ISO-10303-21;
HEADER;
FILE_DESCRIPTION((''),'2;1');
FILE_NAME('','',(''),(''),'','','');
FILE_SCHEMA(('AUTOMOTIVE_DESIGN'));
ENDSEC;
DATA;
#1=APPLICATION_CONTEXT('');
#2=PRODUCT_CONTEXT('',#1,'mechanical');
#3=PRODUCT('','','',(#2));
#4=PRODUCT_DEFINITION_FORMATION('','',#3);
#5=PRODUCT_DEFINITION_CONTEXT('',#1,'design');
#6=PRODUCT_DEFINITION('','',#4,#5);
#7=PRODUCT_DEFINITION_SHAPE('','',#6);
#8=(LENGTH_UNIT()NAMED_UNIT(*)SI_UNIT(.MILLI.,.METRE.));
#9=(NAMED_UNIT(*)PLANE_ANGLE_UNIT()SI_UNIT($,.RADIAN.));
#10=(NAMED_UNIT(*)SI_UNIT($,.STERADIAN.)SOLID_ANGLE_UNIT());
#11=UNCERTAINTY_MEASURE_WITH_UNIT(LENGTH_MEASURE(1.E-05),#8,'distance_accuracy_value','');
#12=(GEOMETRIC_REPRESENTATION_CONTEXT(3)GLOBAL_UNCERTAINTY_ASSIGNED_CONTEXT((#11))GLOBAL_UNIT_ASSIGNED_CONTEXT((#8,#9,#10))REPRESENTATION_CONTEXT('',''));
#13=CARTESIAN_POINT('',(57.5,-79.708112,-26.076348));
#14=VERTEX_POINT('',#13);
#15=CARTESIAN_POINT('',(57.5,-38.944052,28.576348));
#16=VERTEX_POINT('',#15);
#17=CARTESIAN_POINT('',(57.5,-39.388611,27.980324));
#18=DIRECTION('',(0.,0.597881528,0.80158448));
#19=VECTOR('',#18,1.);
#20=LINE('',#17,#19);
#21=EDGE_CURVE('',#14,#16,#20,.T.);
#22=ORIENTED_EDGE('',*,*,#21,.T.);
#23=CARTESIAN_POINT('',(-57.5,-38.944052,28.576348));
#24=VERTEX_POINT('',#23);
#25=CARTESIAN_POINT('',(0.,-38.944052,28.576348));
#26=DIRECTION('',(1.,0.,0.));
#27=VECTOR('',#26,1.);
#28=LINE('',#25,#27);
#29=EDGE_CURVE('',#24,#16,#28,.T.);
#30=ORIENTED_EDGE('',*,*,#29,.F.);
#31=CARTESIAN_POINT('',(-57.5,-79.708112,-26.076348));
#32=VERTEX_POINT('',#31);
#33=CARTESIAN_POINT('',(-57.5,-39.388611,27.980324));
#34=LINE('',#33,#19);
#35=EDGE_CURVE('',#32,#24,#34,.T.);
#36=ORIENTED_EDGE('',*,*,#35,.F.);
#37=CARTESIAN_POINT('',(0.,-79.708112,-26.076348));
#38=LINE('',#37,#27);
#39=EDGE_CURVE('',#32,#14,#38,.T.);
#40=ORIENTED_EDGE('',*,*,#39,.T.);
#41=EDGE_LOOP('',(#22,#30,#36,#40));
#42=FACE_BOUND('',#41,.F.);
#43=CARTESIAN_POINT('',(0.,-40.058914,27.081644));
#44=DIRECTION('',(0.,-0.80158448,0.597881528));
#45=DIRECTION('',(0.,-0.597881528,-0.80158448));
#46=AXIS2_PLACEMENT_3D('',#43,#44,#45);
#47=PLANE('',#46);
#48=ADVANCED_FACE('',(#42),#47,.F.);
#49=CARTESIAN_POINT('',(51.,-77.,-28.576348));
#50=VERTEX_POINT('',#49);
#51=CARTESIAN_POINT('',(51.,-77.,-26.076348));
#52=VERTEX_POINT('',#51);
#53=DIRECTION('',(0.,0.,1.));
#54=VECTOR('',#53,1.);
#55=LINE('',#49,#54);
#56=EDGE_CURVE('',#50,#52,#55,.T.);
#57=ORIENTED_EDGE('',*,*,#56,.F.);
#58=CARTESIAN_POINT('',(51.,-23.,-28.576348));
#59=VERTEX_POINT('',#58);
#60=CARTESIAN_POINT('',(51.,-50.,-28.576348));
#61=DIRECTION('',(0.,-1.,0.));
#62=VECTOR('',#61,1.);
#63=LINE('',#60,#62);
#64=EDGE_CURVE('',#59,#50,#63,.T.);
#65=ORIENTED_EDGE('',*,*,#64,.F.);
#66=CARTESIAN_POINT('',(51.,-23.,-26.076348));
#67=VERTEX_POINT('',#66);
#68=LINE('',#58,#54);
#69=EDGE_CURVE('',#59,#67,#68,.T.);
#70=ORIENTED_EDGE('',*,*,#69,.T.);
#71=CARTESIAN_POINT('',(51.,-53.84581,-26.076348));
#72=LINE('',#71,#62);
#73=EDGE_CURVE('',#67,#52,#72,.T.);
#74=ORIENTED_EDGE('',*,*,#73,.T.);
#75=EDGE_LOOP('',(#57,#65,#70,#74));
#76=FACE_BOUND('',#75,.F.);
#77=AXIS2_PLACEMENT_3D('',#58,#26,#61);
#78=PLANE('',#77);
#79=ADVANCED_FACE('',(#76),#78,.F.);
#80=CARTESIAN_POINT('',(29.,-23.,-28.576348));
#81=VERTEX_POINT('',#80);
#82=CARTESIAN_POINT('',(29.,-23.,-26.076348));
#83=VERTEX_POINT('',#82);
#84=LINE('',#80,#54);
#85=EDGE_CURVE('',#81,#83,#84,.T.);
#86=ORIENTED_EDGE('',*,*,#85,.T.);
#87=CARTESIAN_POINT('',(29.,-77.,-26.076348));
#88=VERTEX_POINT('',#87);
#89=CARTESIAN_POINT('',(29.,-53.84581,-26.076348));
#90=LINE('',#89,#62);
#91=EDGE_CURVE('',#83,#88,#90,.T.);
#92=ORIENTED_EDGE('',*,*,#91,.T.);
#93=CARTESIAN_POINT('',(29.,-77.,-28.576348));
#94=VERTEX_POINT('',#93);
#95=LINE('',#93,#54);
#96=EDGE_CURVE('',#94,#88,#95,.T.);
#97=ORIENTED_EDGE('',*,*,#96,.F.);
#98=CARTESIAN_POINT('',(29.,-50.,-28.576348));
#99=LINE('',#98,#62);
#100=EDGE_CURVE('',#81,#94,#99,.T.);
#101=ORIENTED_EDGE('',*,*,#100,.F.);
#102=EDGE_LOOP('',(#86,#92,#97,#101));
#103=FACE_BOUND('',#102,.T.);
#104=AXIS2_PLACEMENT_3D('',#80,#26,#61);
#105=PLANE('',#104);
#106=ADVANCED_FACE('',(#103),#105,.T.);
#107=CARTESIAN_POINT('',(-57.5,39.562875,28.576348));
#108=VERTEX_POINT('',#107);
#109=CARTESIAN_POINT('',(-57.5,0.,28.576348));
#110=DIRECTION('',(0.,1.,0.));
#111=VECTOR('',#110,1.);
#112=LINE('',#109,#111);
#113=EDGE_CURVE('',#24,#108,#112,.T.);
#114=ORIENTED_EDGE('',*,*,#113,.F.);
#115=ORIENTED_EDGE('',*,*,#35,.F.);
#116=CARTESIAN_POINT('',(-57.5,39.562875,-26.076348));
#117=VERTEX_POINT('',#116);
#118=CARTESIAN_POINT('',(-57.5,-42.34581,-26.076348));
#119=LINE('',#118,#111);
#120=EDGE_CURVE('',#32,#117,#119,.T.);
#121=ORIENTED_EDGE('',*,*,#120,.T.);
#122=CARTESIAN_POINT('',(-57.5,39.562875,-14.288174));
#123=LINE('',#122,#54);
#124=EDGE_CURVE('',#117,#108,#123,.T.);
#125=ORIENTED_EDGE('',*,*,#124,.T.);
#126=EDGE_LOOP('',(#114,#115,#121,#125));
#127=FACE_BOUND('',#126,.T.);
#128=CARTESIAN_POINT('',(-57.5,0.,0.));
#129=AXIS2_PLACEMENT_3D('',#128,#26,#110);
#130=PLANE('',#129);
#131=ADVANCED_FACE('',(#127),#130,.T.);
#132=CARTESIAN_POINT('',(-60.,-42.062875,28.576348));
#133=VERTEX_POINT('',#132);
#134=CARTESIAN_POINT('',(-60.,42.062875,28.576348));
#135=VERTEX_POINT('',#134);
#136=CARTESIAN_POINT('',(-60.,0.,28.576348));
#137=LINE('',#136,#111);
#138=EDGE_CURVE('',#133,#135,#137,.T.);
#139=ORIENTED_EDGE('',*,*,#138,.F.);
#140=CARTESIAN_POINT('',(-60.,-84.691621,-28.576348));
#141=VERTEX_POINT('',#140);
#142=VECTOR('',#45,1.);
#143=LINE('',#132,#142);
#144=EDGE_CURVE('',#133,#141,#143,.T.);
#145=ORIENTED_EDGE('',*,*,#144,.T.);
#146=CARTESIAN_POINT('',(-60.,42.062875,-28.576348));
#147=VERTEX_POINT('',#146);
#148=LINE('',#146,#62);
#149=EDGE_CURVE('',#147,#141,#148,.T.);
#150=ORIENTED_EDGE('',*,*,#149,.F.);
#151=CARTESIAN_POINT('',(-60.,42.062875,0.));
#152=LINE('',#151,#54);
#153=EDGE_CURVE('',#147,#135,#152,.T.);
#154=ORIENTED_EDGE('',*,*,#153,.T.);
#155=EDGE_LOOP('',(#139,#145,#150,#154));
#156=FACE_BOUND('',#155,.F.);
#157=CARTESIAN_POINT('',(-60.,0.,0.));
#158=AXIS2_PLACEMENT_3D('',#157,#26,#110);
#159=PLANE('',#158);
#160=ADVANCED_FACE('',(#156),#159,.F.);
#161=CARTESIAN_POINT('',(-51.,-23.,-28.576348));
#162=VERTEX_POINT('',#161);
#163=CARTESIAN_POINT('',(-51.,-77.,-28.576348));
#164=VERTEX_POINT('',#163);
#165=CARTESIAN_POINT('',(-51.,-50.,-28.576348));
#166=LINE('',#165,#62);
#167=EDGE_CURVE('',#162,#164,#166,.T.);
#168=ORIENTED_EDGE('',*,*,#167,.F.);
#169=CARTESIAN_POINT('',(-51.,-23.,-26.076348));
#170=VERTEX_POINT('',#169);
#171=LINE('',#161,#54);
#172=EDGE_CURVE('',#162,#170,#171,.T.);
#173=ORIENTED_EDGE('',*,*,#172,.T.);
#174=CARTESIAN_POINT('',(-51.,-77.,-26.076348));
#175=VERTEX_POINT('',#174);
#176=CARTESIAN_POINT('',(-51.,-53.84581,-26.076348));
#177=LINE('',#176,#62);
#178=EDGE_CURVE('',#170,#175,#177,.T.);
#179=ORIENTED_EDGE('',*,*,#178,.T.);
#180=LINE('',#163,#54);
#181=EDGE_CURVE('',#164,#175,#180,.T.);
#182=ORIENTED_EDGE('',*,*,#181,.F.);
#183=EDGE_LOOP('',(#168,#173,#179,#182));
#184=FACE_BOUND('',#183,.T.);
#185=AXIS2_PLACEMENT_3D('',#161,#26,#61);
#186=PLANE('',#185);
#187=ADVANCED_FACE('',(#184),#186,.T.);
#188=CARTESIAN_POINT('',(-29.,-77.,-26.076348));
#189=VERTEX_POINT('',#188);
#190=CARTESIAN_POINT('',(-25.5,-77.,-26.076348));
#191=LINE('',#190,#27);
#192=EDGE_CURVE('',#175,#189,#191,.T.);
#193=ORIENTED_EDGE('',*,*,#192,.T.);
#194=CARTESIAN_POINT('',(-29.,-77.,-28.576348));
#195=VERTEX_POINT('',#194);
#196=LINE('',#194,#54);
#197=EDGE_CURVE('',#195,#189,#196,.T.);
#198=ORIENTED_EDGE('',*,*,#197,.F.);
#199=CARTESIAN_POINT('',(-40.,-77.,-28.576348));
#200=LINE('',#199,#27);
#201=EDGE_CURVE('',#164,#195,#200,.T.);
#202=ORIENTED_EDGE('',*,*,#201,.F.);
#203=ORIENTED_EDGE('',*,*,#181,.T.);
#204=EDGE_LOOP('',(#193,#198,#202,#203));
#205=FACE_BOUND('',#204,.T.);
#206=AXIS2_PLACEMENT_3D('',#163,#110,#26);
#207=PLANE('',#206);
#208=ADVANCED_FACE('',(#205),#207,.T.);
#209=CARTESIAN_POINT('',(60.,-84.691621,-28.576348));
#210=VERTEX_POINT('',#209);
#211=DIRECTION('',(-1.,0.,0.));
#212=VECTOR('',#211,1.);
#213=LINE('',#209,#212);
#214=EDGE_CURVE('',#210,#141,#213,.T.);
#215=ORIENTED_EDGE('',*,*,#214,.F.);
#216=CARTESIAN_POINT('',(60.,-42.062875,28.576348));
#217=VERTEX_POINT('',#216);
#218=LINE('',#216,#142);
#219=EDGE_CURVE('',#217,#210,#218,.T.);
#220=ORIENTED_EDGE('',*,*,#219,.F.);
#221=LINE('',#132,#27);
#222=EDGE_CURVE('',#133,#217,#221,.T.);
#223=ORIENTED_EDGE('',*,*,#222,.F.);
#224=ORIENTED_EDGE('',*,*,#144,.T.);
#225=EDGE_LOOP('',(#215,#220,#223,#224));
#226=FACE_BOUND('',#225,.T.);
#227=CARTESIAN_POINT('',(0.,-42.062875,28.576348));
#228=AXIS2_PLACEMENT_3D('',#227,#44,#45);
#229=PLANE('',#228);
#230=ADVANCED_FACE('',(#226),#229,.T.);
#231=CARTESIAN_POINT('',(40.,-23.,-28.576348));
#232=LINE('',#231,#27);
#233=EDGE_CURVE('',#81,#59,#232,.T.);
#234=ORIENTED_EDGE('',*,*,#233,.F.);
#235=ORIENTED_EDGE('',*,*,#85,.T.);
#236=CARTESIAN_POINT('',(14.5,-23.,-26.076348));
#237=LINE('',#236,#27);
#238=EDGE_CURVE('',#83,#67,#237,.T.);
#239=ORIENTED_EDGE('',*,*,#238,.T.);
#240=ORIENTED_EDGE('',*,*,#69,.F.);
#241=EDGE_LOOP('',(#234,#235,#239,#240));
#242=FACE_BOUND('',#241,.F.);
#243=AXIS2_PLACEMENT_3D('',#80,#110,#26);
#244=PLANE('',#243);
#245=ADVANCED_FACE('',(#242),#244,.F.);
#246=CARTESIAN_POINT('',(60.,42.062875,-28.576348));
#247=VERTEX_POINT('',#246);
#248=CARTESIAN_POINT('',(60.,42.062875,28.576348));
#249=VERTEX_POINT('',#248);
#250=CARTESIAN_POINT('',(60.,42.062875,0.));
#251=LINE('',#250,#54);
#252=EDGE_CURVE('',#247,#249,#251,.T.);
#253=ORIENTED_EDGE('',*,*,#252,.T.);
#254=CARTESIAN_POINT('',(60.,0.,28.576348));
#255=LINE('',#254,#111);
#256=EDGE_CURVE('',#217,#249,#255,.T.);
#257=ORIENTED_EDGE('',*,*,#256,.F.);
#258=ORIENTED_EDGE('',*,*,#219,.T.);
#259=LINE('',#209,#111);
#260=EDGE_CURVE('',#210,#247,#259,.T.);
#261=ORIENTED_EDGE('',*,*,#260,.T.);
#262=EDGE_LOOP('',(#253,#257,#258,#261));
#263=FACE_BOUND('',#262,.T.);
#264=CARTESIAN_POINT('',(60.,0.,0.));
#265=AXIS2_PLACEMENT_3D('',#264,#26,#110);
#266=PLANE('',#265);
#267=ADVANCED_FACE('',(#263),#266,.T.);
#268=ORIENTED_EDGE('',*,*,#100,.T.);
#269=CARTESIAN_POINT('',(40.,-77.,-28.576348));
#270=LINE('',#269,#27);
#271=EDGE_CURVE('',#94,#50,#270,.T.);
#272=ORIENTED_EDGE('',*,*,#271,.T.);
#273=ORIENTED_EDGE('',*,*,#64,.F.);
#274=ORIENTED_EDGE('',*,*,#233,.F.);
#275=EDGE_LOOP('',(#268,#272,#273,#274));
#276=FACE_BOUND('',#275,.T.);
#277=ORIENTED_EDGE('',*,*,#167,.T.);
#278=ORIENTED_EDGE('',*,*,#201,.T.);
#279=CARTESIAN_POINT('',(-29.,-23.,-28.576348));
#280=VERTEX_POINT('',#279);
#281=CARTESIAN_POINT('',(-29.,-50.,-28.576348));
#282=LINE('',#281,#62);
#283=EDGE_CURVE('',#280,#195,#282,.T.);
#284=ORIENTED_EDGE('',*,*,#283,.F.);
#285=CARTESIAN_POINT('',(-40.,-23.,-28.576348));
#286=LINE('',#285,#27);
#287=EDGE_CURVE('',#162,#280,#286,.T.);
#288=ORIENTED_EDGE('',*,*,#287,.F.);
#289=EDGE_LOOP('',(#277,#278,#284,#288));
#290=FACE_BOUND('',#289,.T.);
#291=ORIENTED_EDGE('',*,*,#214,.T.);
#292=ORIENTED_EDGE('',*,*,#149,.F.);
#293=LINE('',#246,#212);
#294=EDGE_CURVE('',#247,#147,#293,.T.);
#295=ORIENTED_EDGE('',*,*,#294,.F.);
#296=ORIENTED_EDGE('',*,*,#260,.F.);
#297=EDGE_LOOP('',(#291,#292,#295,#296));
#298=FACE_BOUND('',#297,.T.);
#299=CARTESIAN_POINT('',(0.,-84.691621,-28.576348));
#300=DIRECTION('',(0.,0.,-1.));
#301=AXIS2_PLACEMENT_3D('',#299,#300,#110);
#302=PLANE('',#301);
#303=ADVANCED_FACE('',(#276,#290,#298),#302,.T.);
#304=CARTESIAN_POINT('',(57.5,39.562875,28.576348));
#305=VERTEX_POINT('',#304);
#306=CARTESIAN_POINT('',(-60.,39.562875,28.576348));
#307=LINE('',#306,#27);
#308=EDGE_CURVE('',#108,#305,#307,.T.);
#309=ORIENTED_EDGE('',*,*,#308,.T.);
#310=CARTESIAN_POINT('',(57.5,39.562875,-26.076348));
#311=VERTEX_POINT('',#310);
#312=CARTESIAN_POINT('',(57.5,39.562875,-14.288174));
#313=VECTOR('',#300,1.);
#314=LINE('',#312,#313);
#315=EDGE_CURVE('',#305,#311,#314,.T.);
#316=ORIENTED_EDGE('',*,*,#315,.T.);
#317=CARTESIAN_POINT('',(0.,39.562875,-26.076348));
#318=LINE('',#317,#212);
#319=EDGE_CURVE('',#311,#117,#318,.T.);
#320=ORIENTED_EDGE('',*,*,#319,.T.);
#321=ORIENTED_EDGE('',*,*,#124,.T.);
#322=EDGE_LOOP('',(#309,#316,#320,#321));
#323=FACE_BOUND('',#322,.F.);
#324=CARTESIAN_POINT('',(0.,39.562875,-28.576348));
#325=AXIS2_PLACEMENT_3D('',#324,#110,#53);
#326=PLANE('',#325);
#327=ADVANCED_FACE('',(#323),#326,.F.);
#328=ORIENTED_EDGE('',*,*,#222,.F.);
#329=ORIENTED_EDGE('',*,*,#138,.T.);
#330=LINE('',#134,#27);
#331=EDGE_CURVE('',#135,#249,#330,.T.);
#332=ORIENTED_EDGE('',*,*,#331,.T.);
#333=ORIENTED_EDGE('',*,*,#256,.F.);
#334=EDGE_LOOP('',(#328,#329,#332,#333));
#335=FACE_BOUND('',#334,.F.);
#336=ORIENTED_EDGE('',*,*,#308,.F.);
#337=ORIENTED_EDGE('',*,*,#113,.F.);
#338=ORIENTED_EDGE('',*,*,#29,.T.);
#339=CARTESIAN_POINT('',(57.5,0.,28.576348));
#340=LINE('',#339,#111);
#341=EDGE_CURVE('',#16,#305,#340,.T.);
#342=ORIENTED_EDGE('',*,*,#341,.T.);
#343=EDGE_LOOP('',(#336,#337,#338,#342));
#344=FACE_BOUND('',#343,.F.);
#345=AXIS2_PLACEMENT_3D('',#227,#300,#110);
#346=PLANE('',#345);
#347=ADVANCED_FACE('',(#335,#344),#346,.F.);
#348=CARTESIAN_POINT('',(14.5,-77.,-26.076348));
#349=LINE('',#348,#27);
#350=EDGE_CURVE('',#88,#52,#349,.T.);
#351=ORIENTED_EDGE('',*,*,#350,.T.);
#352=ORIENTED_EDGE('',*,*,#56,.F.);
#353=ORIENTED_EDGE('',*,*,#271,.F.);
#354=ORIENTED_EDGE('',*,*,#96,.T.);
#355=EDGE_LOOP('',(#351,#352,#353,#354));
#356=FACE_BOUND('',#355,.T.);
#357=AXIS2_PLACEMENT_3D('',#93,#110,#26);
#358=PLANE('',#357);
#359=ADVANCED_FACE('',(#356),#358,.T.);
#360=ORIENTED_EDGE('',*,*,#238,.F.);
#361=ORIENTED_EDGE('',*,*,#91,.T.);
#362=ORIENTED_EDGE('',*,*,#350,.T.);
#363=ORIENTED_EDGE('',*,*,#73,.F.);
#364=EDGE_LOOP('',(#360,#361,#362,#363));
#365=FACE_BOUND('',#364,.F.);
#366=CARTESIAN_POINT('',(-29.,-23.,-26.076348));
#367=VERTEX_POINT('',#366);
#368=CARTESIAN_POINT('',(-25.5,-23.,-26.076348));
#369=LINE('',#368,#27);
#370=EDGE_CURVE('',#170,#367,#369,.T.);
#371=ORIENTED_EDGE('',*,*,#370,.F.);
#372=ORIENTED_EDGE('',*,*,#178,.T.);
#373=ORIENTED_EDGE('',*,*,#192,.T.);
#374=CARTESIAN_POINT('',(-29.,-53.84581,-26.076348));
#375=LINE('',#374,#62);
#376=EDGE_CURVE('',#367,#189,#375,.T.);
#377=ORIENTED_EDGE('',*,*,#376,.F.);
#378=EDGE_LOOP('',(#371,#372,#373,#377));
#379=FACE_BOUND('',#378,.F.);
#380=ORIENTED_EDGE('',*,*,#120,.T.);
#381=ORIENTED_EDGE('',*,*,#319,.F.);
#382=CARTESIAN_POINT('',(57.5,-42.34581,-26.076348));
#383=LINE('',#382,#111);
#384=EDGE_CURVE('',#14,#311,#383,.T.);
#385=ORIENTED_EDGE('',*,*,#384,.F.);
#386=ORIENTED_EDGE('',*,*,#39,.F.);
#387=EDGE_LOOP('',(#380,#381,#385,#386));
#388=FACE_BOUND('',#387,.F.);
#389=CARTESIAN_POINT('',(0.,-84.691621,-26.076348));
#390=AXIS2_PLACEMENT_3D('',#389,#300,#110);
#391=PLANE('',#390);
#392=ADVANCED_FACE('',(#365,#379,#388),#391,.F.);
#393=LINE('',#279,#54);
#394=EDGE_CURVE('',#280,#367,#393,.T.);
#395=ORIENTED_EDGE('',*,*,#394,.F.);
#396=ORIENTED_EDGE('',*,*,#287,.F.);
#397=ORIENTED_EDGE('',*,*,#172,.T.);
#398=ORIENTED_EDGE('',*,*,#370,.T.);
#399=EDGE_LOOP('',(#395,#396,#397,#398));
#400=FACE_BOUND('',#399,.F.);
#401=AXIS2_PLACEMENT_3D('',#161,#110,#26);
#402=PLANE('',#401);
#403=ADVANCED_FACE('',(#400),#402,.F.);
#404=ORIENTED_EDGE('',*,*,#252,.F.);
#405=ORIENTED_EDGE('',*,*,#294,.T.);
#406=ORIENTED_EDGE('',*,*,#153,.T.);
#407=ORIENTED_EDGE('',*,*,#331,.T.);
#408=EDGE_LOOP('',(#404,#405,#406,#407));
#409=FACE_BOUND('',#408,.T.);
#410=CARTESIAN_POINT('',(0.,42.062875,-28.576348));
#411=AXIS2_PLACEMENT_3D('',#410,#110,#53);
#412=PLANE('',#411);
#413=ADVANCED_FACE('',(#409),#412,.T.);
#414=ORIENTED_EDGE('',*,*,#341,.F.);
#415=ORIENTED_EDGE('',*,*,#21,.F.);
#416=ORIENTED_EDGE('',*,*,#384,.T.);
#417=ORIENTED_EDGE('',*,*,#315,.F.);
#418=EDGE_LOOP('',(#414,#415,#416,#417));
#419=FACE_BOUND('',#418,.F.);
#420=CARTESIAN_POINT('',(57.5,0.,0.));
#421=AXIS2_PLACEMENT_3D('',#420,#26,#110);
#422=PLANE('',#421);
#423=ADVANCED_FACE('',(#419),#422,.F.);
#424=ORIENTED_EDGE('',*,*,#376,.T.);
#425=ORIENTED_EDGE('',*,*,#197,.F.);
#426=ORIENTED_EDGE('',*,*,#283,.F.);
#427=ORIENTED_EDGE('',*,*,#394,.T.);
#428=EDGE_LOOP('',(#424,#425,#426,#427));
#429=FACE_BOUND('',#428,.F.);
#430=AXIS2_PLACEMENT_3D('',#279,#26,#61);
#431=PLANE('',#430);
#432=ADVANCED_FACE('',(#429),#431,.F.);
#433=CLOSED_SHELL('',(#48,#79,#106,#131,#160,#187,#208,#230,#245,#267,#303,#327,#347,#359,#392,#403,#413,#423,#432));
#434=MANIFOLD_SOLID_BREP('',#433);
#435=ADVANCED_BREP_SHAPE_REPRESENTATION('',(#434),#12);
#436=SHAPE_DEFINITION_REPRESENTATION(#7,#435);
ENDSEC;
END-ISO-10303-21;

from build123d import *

# Parameters (mm, degrees)
F1_DEPTH = 60
F0_W     = 84.12575
F0_H     = 57.152696
F2_DEPTH = 60
F3_T     = -2.5
F4_W     = 22
F4_H     = 54
F5_DEPTH = 5


with BuildPart() as f1:
    # F0 (on Right) → F1 (new body, symmetric)
    with BuildSketch(Plane.YZ):
        Polygon((-42.062875, -28.576348), (-42.062875, 28.576348), (-84.691621, -28.576348), align=None)
    extrude(amount=F1_DEPTH, both=True)

    # F0 (on Right) → F2 (join, symmetric)
    with BuildSketch(Plane.YZ):
        Rectangle(F0_W, F0_H)
        Polygon((-42.062875, -28.576348), (-42.062875, 28.576348), (-84.691621, -28.576348), align=None)
    extrude(amount=F2_DEPTH, both=True)

    # F3
    f3_openings = [f1.faces().sort_by_distance(p)[0] for p in [
        (0, 0, 28.576348),
    ]]
    offset(amount=F3_T, openings=f3_openings)

    # F4 (on face) → F5 (cut)
    with BuildSketch(Plane(origin=(0, 0, -28.576348), x_dir=(1, 0, 0), z_dir=(0, 0, -1))):
        with Locations((-40, 50)):
            Rectangle(F4_W, F4_H)
        with Locations((40, 50)):
            Rectangle(F4_W, F4_H)
    extrude(amount=-F5_DEPTH, mode=Mode.SUBTRACT)


solid = f1.part
